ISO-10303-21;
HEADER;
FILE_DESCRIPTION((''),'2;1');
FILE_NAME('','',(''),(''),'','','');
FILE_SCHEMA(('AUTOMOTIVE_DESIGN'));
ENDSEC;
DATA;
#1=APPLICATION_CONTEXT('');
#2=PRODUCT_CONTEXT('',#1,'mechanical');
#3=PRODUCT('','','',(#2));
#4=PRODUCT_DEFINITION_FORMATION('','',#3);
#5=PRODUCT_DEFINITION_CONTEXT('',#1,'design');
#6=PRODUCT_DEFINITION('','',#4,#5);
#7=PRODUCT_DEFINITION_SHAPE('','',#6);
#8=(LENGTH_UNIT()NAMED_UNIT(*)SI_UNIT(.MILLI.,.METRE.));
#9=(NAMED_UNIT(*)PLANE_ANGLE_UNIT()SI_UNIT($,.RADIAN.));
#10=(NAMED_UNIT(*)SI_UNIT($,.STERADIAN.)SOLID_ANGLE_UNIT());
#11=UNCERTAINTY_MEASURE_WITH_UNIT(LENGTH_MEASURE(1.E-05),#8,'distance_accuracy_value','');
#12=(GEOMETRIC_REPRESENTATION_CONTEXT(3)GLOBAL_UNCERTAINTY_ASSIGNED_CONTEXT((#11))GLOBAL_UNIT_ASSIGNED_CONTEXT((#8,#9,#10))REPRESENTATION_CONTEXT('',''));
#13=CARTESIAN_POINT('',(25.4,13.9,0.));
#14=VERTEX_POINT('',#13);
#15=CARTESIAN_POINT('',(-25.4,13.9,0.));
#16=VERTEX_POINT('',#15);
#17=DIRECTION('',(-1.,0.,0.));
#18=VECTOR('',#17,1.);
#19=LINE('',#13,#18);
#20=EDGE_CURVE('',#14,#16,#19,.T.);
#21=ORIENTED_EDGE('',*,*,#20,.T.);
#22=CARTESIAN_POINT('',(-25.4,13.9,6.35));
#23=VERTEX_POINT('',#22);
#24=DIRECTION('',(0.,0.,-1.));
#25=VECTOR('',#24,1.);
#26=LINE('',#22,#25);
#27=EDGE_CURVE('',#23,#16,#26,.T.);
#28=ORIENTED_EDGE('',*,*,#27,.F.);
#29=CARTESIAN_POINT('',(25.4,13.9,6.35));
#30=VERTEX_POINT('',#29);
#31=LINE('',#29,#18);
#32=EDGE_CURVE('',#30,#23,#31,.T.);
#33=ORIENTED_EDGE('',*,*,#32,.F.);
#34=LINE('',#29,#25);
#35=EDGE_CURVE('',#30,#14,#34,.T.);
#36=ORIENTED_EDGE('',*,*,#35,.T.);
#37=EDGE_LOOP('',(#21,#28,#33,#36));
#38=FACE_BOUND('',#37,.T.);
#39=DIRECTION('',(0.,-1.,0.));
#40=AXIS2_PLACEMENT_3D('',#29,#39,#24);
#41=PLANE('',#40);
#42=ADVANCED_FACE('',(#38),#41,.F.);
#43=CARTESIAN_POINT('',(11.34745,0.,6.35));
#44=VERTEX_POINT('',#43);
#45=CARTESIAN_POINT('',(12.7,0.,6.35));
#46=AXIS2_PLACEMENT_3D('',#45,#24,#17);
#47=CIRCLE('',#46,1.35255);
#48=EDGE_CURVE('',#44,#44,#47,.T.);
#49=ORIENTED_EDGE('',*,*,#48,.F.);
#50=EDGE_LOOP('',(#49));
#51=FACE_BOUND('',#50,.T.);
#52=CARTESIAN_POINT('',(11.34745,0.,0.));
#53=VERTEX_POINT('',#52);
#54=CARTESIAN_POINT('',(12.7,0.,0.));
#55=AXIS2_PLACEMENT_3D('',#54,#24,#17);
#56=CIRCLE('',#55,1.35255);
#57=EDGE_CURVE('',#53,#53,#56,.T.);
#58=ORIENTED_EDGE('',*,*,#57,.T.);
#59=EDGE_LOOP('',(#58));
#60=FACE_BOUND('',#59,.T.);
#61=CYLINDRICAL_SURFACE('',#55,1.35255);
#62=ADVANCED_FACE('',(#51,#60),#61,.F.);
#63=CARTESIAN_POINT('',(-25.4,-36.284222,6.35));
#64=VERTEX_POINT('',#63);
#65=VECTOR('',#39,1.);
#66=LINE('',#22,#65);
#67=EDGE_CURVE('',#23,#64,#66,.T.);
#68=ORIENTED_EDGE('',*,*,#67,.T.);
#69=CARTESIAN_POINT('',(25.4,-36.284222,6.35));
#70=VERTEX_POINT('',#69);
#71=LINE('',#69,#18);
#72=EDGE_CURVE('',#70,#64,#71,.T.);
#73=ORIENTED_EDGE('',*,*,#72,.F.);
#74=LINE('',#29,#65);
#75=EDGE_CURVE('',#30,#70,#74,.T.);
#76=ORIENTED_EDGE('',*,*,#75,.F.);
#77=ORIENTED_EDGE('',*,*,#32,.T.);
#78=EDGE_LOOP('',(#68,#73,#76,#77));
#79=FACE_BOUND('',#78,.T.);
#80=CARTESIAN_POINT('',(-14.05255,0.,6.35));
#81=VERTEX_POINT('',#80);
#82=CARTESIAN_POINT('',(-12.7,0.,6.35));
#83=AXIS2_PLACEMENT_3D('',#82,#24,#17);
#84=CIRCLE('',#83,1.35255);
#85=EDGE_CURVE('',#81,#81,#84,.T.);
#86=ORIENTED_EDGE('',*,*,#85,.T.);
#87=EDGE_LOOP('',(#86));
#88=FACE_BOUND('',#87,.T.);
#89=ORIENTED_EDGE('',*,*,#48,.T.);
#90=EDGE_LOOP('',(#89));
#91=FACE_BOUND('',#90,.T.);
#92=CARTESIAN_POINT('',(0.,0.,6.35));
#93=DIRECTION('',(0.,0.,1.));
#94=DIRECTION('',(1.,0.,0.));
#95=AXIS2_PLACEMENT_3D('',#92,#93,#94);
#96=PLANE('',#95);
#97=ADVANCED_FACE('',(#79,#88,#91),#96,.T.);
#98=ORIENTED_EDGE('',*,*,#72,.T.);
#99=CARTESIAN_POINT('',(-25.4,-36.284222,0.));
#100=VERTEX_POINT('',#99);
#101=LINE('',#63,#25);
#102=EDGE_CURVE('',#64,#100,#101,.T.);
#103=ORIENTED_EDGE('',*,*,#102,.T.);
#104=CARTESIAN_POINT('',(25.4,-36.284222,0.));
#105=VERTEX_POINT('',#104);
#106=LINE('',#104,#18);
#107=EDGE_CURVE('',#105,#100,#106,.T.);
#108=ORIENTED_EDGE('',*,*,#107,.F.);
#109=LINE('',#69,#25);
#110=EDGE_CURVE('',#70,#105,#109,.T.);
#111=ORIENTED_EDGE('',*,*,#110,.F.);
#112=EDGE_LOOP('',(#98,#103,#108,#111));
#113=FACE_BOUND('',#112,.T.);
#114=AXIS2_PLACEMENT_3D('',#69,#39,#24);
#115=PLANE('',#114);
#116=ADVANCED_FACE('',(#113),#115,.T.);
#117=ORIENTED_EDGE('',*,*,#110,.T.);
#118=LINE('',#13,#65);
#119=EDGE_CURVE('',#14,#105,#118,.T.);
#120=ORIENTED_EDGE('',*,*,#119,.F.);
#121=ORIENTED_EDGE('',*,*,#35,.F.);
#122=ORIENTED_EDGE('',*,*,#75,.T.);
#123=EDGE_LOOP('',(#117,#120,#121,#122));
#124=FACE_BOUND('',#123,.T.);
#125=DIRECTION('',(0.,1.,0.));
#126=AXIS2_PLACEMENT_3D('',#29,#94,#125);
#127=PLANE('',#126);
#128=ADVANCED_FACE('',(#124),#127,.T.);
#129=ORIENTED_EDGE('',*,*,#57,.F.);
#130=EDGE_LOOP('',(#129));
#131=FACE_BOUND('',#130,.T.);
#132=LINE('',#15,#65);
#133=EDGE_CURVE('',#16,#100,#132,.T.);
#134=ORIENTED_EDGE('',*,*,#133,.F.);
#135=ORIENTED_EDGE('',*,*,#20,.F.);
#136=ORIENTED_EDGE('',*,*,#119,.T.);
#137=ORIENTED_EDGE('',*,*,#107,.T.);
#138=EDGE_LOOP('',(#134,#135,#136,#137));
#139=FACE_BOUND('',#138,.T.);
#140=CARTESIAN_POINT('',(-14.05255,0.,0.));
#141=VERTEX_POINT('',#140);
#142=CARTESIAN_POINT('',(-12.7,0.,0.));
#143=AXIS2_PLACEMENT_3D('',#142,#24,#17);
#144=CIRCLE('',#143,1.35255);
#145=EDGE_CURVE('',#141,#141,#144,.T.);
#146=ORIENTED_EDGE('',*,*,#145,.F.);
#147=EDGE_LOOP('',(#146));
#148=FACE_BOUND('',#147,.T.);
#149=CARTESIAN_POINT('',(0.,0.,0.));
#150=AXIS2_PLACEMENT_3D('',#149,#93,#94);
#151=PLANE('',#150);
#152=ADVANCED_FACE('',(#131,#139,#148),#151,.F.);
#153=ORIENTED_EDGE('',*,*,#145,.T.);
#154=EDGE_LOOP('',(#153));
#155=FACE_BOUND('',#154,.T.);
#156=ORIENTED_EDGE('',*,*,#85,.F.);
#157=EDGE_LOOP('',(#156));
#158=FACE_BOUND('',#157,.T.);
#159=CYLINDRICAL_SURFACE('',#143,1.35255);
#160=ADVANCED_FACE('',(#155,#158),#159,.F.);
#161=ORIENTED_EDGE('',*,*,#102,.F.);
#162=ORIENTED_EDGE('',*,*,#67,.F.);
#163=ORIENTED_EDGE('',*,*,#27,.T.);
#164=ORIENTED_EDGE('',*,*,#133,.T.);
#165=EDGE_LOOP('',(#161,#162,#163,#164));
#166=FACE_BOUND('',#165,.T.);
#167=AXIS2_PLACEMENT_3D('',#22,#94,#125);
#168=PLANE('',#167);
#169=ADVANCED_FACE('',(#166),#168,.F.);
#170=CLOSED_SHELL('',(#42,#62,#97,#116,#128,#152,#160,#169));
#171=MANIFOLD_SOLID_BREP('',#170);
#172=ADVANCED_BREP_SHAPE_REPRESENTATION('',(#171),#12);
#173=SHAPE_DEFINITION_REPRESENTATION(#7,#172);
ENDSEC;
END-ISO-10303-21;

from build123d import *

# Parameters (mm, degrees)
SKETCH1_W             = 50.8
SKETCH1_H             = 50.184221981
BOSS_EXTRUDE1_DEPTH   = 6.35
F_6_32_TAPPED_HOLE1_D = 2.7051


with BuildPart() as part:
    # Sketch1 → Boss-Extrude1 (new body)
    with BuildSketch(Plane.XY):
        with Locations((0, -11.192110991)):
            Rectangle(SKETCH1_W, SKETCH1_H)
    extrude(amount=BOSS_EXTRUDE1_DEPTH)

    # #6-32 Tapped Hole1 (through all)
    with Locations(Plane(origin=(0, 0, 0), x_dir=(-1, 0, 0), z_dir=(0, 0, -1))):
        with Locations((-12.7, 0), (12.7, 0)):
            Hole(F_6_32_TAPPED_HOLE1_D / 2)


solid = part.part
